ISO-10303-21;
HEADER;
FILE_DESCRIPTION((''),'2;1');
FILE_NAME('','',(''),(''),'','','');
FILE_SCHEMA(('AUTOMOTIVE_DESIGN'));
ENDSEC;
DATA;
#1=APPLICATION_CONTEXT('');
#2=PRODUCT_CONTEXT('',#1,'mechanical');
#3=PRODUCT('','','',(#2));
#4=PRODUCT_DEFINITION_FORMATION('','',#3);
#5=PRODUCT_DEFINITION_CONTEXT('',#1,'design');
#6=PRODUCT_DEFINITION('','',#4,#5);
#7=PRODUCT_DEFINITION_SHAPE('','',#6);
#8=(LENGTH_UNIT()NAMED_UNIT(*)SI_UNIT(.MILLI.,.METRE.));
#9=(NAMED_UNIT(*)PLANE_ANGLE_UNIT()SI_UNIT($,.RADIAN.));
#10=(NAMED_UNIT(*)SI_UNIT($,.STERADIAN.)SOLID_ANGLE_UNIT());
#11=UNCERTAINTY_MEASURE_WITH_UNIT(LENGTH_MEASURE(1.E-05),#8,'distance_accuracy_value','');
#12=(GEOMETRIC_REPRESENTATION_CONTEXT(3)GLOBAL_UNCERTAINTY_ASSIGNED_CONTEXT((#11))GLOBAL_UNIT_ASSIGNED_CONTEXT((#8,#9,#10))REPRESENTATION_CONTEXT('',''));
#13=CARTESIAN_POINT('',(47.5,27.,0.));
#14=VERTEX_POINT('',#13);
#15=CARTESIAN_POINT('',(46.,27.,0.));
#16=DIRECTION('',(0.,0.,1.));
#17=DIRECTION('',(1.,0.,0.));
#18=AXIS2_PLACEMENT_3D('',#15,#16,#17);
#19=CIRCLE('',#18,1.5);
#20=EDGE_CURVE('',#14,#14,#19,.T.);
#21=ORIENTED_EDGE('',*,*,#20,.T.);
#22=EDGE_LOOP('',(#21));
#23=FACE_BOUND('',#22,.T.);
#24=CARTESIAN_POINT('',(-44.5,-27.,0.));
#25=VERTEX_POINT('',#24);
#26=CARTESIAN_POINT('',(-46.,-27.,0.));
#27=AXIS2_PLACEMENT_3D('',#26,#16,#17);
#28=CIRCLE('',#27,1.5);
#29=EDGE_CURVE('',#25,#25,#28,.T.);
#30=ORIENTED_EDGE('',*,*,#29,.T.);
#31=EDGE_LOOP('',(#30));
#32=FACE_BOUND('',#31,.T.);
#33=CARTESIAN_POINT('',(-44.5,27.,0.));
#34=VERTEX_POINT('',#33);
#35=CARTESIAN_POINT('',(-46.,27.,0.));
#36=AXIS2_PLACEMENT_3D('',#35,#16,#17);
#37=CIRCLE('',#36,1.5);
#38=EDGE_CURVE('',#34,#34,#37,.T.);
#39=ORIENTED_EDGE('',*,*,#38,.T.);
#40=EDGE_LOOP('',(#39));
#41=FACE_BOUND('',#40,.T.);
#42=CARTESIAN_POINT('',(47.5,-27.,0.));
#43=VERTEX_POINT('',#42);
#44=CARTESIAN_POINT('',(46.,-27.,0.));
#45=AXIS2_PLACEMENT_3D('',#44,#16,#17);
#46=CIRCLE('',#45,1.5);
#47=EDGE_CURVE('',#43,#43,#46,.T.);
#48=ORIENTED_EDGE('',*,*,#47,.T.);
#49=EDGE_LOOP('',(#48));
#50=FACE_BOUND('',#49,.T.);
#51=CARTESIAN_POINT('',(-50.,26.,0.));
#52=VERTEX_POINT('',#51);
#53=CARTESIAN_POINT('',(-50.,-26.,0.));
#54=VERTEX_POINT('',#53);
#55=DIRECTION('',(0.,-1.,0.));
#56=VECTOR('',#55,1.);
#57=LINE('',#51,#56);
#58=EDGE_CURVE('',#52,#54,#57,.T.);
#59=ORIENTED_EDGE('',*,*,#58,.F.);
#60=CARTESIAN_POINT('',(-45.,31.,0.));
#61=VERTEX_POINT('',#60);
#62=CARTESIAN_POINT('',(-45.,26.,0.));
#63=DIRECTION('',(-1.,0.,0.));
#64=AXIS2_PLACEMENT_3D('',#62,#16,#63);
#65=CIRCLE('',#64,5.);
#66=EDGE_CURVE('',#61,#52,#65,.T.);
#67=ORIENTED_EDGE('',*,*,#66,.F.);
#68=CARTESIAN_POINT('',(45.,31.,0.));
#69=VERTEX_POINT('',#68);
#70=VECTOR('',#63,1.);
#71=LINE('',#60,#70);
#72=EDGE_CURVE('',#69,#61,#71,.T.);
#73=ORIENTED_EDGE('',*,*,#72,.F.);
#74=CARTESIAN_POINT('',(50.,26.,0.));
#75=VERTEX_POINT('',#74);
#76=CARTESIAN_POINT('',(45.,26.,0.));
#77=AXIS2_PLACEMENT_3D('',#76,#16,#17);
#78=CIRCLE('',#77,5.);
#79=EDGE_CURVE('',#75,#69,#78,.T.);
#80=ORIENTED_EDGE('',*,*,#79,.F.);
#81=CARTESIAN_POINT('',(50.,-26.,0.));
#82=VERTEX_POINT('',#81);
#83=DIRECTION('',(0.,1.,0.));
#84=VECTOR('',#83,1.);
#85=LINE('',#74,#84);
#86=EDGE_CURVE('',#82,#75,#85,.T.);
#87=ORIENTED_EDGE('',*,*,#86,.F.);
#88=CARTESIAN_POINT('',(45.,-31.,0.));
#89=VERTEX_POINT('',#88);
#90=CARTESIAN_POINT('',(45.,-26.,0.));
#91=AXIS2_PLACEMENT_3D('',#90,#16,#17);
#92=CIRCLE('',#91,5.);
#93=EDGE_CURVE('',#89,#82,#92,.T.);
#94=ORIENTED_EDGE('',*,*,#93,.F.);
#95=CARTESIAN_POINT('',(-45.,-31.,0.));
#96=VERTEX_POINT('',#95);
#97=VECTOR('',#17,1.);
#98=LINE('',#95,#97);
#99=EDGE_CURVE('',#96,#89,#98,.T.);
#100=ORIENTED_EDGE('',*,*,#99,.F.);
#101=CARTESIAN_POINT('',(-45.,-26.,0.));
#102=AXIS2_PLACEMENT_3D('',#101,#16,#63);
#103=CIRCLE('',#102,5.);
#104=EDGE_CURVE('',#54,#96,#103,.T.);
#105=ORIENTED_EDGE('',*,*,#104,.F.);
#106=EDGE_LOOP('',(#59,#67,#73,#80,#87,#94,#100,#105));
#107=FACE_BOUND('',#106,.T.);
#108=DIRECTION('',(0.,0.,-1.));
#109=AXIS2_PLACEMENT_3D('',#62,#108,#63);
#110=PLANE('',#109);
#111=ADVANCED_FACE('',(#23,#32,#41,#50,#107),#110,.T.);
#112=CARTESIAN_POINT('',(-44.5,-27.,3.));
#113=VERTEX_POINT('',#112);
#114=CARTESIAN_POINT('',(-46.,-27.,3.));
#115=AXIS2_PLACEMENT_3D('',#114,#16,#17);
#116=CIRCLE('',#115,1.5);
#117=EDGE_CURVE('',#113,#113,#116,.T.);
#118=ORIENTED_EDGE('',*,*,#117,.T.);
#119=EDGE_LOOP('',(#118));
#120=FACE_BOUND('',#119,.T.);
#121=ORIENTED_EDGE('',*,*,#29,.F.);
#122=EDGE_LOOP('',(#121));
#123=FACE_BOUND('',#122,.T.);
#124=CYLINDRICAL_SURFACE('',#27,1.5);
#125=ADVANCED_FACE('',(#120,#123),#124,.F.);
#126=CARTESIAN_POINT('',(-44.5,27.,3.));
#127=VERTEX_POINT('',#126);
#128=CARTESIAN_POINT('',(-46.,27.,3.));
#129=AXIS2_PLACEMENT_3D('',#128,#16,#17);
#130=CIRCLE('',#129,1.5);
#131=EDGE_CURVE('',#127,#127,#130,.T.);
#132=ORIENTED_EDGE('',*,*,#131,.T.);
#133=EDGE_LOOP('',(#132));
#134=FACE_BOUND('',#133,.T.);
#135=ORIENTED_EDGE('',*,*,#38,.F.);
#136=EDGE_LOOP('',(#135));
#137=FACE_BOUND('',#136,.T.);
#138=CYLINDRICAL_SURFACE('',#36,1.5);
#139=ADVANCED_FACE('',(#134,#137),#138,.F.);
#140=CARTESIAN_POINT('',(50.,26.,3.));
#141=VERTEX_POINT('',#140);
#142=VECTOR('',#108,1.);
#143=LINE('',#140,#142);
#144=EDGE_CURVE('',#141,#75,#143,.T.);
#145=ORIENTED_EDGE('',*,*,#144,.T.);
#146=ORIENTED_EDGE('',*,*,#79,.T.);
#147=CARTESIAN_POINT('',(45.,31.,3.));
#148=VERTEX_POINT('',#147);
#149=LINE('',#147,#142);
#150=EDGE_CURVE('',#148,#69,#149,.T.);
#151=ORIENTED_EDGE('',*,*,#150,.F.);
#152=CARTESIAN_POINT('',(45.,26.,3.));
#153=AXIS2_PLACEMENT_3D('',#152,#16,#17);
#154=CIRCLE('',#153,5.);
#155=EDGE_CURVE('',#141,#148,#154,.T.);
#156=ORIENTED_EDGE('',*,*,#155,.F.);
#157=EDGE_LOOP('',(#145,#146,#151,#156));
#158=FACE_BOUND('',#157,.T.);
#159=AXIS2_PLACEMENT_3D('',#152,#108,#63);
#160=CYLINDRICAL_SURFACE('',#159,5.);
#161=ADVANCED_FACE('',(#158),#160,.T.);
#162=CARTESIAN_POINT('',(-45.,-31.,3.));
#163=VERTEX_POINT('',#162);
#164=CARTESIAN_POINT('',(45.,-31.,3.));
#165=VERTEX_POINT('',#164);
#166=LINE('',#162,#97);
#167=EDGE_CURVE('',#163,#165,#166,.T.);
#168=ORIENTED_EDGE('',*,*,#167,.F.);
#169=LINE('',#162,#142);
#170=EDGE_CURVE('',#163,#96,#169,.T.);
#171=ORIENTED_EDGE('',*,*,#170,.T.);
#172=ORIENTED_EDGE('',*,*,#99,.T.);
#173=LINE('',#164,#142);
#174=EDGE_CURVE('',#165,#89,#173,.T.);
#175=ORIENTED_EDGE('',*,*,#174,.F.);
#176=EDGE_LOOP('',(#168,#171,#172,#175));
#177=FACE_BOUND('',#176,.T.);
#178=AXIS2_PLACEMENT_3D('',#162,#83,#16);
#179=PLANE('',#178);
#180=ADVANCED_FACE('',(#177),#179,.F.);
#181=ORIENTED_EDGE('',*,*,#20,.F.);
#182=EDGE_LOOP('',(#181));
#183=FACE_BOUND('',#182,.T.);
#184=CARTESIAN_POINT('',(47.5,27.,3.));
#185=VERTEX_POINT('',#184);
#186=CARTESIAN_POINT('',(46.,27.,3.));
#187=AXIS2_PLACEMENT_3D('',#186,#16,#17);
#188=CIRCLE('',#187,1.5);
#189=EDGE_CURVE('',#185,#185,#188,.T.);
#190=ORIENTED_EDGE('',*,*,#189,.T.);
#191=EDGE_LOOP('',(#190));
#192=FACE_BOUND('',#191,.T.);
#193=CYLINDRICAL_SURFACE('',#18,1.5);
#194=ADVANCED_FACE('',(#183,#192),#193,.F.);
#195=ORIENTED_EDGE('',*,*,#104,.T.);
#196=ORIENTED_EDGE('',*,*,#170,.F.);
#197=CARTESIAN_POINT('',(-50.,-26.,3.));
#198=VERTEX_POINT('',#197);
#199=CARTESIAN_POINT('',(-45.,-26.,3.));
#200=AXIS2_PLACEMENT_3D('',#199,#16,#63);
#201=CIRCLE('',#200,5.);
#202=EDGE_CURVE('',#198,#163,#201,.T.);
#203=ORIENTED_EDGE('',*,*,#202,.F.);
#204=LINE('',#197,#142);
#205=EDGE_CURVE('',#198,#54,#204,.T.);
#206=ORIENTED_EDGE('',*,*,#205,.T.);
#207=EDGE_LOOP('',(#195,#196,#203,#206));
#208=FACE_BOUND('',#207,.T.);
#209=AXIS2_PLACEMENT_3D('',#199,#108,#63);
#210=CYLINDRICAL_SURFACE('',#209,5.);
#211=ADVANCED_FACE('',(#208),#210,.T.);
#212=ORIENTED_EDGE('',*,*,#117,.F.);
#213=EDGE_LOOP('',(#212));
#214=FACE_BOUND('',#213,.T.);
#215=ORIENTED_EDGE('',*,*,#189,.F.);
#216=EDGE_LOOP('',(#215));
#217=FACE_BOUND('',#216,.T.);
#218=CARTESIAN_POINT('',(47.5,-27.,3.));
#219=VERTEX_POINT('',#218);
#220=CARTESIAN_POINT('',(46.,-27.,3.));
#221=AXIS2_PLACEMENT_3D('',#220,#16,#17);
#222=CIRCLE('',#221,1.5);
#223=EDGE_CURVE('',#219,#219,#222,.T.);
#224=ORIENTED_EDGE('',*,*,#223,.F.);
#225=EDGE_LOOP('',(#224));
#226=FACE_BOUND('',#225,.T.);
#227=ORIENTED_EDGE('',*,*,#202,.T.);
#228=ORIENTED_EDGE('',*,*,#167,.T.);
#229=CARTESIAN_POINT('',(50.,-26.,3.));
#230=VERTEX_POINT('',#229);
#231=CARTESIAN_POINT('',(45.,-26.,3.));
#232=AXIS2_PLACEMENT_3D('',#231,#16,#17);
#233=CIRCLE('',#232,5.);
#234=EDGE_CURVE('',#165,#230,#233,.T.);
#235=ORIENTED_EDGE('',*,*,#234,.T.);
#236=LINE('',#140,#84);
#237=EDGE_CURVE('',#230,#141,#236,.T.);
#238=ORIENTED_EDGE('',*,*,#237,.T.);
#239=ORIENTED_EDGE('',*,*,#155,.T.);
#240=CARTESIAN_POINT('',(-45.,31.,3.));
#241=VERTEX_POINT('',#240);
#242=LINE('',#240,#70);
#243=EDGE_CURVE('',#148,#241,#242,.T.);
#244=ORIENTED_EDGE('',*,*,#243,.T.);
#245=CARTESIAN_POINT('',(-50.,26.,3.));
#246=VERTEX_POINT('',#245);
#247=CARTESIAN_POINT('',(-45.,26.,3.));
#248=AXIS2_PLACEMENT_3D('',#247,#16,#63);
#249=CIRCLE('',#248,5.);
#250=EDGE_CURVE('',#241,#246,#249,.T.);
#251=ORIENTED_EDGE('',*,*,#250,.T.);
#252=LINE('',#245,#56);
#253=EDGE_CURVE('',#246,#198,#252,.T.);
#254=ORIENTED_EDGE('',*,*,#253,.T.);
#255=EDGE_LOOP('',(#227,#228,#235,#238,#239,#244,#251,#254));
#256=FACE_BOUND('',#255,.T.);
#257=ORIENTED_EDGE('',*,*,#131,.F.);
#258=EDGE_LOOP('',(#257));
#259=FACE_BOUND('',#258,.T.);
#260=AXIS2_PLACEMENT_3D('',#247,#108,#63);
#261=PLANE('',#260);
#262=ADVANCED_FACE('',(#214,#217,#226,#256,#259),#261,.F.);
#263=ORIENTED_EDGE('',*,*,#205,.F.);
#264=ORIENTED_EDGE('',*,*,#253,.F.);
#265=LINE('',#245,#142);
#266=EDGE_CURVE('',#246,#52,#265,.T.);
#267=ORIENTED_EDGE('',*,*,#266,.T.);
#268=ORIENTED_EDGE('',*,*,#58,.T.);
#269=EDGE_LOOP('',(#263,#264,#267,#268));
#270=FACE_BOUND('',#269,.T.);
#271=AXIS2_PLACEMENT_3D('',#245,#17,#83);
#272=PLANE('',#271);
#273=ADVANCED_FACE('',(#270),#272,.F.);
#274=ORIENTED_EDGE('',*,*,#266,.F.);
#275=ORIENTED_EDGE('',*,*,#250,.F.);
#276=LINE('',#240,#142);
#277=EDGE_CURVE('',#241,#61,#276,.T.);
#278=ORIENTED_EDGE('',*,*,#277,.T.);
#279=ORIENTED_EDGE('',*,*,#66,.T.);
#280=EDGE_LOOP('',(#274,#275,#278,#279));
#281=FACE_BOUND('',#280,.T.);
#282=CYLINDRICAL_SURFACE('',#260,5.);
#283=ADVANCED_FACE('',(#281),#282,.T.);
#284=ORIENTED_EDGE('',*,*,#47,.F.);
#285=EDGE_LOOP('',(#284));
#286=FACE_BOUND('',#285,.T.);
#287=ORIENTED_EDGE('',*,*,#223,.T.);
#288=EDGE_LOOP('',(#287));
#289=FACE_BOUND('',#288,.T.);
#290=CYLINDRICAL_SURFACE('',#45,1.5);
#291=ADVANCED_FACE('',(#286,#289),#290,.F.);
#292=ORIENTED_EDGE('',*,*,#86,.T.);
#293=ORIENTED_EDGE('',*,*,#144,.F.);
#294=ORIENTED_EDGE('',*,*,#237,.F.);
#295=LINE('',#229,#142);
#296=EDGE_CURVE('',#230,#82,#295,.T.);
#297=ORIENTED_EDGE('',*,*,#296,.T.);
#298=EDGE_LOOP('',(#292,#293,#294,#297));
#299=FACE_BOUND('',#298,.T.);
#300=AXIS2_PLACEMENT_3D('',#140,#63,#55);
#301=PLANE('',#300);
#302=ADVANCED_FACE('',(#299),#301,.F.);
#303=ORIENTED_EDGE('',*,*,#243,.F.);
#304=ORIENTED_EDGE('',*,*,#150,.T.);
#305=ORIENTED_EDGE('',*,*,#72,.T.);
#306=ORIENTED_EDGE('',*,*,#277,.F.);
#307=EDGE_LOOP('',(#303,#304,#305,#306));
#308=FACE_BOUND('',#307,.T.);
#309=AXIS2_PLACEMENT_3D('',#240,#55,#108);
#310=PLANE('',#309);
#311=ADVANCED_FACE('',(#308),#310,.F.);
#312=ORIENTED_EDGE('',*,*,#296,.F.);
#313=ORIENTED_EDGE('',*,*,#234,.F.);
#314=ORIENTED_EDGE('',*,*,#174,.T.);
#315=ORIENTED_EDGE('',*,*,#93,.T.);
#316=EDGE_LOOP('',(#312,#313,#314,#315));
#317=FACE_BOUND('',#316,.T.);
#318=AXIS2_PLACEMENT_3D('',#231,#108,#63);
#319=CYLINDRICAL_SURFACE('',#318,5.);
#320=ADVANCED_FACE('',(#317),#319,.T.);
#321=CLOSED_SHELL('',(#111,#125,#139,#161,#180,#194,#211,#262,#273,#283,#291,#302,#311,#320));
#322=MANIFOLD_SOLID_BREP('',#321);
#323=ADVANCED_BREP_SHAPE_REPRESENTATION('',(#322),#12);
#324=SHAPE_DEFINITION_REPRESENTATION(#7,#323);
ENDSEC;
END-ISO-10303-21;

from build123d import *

# Parameters (mm, degrees)
EXTRUDE_1_DEPTH     = 3
SKETCH_2_R          = 1.5
CUT_EXTRUDE_1_DEPTH = 3


with BuildPart() as part:
    # 草图1 → 凸台-拉伸1 (new body)
    with BuildSketch(Plane.XY):
        with BuildLine():
            Line((-45, 31), (45, 31))
            ThreePointArc((45, 31), (48.535533906, 29.535533906), (50, 26))
            Line((50, 26), (50, -26))
            ThreePointArc((50, -26), (48.535533906, -29.535533906), (45, -31))
            Line((45, -31), (-45, -31))
            ThreePointArc((-45, -31), (-48.535533906, -29.535533906), (-50, -26))
            Line((-50, -26), (-50, 26))
            ThreePointArc((-50, 26), (-48.535533906, 29.535533906), (-45, 31))
        make_face()
    extrude(amount=EXTRUDE_1_DEPTH)

    # 草图2 → 切除-拉伸1 (cut)
    with BuildSketch(Plane.XY.offset(3)):
        with Locations((-46, 27)):
            Circle(SKETCH_2_R)
        with Locations((46, 27)):
            Circle(SKETCH_2_R)
        with Locations((-46, -27)):
            Circle(SKETCH_2_R)
        with Locations((46, -27)):
            Circle(SKETCH_2_R)
    extrude(amount=-CUT_EXTRUDE_1_DEPTH, mode=Mode.SUBTRACT)


solid = part.part
